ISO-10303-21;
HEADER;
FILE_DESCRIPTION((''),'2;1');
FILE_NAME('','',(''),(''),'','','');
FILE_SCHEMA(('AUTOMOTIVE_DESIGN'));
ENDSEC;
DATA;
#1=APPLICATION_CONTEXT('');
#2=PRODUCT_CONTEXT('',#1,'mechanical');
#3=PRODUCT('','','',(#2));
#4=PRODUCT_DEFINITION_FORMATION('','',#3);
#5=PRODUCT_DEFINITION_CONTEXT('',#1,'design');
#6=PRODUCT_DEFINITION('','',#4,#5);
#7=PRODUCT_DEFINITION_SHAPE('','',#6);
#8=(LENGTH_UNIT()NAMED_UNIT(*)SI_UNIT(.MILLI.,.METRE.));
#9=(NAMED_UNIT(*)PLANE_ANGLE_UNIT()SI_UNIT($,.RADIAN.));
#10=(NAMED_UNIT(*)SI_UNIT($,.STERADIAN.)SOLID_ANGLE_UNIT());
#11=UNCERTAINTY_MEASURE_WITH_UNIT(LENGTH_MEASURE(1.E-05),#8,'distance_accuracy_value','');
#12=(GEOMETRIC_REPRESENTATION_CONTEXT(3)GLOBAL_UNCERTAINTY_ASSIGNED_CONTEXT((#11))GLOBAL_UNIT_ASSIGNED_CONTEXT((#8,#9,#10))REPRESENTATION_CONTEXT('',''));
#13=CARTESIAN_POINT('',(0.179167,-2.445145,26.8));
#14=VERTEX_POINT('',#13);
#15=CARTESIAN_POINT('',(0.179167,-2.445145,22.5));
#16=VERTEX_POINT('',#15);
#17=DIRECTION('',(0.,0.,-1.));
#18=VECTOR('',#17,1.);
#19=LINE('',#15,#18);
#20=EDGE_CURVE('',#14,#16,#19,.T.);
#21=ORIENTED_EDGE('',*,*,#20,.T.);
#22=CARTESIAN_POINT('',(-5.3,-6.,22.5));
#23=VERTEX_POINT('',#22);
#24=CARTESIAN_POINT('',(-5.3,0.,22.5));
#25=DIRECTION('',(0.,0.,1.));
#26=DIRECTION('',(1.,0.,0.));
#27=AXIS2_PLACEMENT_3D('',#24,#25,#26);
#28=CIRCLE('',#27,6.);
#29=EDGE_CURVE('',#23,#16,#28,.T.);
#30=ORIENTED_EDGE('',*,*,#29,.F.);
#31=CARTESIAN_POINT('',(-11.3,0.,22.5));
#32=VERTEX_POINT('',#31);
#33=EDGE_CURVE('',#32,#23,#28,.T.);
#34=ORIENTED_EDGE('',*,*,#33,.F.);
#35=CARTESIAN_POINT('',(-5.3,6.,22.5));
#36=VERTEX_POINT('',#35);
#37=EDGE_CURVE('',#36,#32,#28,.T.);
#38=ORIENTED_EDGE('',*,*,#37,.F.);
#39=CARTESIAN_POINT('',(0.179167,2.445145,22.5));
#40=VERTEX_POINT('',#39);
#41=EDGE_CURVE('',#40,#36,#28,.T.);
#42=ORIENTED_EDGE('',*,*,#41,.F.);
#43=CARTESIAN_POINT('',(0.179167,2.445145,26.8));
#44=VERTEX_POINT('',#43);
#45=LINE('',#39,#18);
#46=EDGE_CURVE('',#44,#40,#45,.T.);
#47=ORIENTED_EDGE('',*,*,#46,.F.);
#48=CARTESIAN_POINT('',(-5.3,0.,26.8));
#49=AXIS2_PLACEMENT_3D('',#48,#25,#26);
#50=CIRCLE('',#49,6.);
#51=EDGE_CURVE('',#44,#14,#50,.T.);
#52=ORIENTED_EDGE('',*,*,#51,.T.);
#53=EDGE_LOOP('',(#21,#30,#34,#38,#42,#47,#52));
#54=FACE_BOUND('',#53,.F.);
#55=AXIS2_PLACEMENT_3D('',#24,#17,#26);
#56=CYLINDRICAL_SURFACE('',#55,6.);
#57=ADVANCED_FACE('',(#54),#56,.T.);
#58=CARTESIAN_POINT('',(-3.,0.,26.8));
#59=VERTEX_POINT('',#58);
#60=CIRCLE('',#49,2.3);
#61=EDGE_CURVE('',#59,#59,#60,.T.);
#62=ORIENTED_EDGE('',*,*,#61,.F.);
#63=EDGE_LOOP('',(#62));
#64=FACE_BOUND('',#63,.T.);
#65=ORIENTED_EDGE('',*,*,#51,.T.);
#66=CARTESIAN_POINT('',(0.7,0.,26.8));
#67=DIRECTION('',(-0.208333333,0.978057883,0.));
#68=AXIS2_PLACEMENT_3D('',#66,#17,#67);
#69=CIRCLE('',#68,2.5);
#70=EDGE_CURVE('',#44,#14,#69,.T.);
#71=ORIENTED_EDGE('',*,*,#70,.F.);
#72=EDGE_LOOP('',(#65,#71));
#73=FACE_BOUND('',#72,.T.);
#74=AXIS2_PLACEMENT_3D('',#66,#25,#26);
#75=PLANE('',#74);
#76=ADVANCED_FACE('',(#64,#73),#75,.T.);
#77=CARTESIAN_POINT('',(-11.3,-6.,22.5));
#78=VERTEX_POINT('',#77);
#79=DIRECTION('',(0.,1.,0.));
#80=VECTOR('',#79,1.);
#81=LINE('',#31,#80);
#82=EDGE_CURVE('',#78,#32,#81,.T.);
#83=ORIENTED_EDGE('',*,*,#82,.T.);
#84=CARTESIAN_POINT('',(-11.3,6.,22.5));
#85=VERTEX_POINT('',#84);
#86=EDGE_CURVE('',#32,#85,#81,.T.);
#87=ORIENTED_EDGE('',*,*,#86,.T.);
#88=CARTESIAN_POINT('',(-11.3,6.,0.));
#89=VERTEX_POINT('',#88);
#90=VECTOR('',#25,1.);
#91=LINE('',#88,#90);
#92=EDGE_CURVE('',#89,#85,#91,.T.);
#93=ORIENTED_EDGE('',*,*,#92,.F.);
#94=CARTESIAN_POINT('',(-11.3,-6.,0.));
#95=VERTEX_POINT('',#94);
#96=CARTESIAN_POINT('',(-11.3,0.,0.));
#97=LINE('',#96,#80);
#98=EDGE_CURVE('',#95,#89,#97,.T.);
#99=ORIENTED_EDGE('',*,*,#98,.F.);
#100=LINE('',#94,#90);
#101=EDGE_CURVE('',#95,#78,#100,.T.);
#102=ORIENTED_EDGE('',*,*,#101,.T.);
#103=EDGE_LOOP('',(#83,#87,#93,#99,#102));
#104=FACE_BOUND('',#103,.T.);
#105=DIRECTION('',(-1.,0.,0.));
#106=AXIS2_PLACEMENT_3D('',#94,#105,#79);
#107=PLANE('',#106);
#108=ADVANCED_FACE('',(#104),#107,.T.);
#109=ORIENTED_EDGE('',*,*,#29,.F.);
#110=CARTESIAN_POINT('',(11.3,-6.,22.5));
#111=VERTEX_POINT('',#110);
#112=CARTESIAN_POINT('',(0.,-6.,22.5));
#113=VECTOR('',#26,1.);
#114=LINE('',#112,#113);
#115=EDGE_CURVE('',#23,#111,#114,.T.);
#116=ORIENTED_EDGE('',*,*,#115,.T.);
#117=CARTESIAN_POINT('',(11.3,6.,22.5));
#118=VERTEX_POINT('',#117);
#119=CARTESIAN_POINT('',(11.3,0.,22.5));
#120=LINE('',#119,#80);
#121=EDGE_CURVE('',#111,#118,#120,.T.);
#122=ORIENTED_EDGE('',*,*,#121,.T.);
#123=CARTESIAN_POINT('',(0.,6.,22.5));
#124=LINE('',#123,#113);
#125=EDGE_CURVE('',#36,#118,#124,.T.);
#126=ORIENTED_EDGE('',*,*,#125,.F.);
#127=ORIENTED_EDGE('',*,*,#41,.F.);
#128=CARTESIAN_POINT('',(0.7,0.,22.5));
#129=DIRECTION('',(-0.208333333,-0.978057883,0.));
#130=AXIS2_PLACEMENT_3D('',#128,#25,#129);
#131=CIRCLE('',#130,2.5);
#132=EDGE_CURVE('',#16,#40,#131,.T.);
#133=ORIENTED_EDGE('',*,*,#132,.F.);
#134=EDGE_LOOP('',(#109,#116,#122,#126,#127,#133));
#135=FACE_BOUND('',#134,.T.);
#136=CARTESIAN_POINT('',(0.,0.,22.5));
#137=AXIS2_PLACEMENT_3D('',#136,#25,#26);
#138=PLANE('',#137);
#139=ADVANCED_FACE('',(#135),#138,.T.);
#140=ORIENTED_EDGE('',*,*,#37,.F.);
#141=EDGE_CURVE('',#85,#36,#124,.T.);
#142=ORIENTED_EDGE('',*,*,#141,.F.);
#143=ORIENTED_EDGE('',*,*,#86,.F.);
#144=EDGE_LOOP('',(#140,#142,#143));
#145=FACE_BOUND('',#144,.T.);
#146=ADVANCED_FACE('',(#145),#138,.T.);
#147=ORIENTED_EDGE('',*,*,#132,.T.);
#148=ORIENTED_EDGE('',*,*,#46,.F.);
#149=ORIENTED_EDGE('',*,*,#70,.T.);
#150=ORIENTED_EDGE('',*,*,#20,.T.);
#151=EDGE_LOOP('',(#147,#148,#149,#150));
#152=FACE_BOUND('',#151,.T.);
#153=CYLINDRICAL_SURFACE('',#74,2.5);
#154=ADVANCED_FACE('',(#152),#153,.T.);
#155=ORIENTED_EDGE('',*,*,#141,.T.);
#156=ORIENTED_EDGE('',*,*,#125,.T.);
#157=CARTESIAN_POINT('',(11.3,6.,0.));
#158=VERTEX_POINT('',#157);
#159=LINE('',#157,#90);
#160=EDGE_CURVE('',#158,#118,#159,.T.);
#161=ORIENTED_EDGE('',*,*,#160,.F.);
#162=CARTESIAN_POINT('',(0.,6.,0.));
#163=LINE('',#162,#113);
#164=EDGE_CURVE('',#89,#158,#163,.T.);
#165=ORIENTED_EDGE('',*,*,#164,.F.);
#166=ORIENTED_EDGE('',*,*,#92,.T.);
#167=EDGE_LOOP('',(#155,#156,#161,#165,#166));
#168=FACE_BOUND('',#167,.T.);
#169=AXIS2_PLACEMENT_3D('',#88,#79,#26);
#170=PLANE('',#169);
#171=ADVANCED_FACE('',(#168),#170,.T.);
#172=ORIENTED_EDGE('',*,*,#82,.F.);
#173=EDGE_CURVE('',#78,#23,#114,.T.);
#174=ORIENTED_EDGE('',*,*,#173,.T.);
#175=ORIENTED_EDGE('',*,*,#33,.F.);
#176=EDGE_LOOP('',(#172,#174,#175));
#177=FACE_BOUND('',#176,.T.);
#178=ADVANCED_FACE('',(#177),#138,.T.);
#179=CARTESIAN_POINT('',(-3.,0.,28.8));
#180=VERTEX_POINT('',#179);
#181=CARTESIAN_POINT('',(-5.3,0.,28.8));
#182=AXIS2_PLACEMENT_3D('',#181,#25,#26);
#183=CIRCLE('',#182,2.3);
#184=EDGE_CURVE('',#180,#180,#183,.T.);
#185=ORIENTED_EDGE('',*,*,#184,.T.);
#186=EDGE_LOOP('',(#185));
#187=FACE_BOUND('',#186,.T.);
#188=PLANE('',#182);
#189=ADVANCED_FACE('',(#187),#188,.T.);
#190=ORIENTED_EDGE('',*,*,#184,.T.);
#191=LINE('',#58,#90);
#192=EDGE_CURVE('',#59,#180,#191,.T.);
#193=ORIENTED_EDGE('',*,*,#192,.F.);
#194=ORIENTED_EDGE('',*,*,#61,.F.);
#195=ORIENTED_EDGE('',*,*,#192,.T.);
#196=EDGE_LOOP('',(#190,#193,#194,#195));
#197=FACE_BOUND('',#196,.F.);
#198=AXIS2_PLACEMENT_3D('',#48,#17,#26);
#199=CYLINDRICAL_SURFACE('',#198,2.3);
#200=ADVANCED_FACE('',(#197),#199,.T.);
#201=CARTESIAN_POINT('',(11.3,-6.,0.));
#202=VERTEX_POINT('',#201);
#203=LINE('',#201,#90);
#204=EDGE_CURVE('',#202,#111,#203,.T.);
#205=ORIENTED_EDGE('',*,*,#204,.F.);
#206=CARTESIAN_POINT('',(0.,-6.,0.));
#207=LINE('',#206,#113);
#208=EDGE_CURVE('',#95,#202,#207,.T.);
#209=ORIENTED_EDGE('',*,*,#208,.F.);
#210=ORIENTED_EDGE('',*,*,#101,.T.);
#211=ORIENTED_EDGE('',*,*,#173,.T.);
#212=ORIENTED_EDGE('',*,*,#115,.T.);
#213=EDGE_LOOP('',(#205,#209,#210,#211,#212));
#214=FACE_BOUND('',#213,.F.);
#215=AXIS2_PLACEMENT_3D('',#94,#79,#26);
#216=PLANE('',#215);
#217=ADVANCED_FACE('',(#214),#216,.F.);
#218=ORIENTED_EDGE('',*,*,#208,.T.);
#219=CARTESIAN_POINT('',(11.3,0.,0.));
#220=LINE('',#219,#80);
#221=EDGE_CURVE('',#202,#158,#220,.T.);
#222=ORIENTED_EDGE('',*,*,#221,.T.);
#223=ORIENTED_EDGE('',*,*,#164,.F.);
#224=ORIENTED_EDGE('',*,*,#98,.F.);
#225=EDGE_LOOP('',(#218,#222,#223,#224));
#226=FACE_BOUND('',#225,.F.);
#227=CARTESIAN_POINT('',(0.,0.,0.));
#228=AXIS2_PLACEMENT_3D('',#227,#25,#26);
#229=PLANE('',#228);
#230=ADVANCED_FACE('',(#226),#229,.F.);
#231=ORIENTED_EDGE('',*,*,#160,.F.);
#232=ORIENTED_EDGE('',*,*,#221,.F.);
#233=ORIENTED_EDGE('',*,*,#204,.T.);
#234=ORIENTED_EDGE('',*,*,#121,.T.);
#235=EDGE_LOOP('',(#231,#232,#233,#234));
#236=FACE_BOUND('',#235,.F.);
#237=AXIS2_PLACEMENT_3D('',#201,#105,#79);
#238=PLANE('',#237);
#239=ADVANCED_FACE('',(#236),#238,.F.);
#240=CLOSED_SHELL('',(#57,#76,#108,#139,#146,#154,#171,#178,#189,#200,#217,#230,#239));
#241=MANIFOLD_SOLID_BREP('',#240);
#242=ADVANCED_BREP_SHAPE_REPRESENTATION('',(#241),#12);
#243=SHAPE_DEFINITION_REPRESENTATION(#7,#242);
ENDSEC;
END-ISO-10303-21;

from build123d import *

# Parameters (mm, degrees)
F0_W     = 22.6
F0_H     = 12
F1_DEPTH = 22.5
F2_R     = 6
F3_DEPTH = 4.3
F4_R     = 2.3
F5_DEPTH = 2
F6_R     = 2.5
F7_DEPTH = 5


with BuildPart() as f1:
    # F0 (on Top) → F1 (new body)
    with BuildSketch(Plane.XY):
        Rectangle(F0_W, F0_H)
    extrude(amount=F1_DEPTH)

    # F2 (on face) → F3 (join)
    with BuildSketch(Plane.XY.offset(22.5)):
        with Locations((-5.3, 0)):
            Circle(F2_R)
    extrude(amount=F3_DEPTH)

    # F4 (on face) → F5 (join)
    with BuildSketch(Plane.XY.offset(26.8)):
        with Locations((-5.3, 0)):
            Circle(F4_R)
    extrude(amount=F5_DEPTH)

    # F6 (on face) → F7 (join)
    with BuildSketch(Plane.XY.offset(26.8)):
        with Locations((0.7, 0)):
            Circle(F6_R)
    extrude(amount=-F7_DEPTH)


solid = f1.part
